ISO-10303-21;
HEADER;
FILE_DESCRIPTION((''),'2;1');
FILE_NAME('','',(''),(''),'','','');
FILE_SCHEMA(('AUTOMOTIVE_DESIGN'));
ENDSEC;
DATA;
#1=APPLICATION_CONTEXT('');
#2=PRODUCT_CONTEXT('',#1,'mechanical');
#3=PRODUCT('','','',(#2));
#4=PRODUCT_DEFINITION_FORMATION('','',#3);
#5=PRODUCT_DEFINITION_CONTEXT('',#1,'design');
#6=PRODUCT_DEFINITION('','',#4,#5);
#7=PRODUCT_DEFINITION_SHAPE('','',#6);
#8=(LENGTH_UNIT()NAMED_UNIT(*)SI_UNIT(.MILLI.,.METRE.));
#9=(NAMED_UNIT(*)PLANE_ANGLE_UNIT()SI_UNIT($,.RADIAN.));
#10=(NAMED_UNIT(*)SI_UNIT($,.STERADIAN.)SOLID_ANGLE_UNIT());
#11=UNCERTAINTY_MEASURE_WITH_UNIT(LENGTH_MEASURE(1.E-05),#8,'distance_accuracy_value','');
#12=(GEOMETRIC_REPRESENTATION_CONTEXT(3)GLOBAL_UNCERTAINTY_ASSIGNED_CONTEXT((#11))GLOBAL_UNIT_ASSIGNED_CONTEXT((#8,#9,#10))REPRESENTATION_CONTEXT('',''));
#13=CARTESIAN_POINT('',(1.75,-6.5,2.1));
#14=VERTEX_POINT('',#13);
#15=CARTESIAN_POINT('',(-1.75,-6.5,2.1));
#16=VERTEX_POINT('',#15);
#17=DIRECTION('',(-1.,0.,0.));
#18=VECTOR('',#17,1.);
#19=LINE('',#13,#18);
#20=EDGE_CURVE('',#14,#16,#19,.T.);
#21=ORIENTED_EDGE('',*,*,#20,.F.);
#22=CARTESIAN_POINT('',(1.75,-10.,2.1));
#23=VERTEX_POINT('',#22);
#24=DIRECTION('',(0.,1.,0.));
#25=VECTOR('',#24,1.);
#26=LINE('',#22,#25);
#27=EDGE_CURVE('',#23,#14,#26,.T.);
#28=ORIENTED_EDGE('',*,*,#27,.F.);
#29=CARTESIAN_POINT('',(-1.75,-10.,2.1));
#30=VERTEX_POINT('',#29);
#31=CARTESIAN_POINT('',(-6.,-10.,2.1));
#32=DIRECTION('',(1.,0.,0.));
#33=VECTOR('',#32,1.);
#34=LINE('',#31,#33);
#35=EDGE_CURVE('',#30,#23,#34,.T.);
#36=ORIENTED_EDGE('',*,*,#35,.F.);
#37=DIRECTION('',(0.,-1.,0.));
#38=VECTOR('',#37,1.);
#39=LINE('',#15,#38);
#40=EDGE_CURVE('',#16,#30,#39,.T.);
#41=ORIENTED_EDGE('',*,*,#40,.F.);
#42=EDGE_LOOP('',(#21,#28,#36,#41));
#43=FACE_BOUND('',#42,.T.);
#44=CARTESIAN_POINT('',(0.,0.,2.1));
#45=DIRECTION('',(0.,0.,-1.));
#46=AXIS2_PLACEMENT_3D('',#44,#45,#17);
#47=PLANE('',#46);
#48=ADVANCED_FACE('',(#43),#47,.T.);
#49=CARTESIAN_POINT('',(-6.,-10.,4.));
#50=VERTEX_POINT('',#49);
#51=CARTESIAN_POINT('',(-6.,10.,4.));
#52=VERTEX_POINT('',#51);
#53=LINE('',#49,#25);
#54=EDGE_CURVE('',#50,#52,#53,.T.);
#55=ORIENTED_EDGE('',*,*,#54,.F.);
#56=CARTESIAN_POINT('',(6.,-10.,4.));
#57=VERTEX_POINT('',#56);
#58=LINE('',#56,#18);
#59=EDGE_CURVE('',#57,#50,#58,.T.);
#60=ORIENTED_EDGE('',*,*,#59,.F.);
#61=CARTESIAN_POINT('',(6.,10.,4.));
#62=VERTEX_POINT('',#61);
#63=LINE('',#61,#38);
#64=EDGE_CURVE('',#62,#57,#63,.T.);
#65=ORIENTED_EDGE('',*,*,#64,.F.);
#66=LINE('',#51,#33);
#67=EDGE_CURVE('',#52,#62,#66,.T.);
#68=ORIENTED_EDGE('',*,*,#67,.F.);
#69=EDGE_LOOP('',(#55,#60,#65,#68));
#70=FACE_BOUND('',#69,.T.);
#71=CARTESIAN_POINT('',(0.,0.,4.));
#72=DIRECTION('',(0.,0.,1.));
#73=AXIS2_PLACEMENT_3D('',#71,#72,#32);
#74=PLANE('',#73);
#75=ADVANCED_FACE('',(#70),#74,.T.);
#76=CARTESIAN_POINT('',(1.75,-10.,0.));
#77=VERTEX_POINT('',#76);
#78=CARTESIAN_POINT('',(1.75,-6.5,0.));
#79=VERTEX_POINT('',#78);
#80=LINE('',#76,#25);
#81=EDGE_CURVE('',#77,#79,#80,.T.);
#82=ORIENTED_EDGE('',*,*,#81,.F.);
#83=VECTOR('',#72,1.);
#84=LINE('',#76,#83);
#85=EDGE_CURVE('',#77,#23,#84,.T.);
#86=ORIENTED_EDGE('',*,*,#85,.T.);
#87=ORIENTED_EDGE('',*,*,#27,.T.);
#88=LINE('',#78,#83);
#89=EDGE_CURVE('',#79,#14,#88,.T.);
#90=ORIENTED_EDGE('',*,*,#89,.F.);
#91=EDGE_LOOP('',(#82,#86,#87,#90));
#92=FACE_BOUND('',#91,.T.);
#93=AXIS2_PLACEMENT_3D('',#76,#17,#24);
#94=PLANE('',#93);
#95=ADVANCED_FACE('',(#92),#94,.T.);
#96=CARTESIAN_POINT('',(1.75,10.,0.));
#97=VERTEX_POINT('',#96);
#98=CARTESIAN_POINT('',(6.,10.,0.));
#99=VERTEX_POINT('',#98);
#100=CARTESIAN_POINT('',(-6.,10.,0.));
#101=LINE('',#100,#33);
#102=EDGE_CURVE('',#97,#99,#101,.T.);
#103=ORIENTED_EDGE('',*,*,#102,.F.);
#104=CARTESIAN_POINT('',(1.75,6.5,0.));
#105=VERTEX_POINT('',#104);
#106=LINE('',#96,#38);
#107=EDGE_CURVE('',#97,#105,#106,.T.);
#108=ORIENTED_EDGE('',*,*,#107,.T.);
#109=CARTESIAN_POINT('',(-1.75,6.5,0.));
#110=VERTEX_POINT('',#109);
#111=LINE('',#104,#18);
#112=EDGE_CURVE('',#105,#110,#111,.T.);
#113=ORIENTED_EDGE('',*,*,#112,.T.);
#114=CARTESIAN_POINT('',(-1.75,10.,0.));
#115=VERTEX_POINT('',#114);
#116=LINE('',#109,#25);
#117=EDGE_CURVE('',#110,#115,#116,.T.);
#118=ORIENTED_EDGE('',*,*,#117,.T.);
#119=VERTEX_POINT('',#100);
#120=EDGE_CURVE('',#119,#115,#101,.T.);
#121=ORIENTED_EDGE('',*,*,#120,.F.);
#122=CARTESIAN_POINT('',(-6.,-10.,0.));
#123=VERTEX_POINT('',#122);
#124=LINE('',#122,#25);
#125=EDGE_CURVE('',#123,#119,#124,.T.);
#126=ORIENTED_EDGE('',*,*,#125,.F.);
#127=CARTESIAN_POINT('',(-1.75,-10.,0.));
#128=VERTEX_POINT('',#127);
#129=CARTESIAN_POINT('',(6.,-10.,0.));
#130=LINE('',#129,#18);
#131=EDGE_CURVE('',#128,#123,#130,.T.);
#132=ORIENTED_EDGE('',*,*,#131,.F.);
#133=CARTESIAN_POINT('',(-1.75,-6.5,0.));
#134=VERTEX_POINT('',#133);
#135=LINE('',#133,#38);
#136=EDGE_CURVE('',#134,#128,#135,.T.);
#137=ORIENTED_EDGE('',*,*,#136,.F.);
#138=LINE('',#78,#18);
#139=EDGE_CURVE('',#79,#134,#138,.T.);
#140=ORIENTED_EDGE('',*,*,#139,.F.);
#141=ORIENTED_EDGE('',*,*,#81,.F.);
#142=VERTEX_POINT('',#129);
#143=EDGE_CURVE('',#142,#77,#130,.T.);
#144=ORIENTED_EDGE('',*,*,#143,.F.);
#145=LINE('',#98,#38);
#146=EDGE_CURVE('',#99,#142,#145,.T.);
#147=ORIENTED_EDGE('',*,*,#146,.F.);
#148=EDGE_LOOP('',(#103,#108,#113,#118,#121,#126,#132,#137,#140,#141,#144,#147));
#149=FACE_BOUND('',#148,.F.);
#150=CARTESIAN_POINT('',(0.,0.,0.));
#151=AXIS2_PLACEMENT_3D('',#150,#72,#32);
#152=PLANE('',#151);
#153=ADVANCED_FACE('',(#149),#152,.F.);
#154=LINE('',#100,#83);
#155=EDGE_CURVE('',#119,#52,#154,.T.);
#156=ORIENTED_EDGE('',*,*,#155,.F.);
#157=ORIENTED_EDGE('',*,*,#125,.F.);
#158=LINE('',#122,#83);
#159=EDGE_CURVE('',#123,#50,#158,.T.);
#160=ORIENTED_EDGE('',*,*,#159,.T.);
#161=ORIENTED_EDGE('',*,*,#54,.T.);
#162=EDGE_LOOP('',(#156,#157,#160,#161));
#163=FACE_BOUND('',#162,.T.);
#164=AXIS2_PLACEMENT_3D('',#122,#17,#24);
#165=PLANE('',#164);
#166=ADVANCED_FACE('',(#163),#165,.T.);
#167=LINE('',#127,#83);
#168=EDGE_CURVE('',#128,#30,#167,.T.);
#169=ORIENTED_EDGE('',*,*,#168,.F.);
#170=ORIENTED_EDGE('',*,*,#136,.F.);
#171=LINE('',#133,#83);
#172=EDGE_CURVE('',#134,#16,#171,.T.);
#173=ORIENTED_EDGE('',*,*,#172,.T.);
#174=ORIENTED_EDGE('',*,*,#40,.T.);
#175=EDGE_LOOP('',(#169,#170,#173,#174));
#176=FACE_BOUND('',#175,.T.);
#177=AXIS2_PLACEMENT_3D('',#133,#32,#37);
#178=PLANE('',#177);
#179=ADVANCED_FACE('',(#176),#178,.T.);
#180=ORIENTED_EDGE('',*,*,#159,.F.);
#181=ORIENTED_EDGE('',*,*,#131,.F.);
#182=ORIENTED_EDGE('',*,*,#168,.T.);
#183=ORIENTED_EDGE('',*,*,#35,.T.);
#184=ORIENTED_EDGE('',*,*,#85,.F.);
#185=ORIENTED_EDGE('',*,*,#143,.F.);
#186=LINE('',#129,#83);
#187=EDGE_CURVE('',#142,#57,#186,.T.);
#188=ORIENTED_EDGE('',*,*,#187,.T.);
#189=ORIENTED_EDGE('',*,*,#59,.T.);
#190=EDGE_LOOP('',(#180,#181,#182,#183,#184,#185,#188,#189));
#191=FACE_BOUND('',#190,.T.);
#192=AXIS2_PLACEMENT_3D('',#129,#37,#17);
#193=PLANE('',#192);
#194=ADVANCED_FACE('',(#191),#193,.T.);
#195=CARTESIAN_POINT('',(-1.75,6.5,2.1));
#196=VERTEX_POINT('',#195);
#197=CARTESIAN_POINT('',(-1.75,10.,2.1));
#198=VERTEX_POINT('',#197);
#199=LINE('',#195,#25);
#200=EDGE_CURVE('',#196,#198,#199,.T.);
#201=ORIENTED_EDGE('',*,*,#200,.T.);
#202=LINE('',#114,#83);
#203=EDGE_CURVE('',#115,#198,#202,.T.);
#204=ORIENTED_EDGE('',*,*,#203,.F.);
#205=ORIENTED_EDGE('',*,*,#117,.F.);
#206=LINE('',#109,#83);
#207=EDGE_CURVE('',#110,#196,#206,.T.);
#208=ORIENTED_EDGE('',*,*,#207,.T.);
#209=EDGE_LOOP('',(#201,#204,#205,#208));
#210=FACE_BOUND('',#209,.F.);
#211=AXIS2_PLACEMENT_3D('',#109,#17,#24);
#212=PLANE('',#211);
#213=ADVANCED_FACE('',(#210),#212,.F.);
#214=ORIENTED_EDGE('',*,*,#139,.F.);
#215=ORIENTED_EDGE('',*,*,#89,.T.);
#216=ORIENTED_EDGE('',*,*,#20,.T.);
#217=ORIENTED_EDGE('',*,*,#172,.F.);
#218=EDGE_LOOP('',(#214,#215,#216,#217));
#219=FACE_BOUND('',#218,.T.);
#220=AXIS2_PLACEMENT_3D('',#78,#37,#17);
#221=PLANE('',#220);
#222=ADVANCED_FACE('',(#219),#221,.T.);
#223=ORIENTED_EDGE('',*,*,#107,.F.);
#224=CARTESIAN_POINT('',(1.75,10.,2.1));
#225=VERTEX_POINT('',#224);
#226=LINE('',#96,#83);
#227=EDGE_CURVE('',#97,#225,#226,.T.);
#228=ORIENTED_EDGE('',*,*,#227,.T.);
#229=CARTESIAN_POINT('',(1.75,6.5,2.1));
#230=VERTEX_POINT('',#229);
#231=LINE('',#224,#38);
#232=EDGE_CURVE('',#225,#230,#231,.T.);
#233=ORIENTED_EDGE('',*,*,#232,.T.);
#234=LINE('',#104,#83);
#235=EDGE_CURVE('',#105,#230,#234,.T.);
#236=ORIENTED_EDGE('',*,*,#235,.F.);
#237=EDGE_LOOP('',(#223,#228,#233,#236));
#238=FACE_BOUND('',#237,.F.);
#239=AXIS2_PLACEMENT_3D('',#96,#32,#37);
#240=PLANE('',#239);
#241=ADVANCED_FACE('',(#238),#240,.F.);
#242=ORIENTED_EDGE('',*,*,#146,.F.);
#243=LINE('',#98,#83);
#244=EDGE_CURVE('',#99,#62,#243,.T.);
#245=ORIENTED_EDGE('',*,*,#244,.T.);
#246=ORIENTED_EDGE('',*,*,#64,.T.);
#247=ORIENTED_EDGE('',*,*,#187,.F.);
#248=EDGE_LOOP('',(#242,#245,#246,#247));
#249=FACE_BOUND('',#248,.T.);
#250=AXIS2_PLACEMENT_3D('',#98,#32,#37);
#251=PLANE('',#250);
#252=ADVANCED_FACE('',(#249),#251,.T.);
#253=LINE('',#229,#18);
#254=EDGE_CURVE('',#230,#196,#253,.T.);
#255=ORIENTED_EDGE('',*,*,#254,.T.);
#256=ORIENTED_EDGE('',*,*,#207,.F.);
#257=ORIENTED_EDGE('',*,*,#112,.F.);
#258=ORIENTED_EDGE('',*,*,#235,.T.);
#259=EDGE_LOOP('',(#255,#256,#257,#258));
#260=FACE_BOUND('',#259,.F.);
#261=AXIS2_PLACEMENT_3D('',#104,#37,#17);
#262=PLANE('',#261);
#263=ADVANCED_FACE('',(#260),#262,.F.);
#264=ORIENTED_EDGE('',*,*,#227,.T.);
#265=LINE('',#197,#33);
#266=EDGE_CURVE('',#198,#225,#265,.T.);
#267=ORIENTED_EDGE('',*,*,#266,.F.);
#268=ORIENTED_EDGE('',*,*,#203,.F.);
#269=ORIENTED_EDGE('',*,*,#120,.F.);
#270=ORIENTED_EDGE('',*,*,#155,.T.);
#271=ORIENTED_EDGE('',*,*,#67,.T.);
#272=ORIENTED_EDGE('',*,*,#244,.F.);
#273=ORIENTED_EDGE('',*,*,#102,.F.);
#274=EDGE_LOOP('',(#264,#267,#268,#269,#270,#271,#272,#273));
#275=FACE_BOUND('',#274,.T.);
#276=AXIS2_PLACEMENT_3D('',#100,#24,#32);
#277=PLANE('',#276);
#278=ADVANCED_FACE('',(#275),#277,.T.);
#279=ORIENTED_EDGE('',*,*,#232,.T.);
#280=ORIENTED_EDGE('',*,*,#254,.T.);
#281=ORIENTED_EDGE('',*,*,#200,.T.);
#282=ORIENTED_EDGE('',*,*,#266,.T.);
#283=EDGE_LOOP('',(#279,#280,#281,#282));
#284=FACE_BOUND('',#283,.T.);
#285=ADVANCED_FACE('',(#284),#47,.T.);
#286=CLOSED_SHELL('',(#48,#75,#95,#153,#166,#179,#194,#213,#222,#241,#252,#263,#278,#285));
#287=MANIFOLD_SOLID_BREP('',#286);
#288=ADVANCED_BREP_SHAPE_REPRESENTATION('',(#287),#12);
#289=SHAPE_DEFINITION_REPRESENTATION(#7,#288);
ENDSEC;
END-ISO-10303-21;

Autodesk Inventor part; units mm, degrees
ref_plane "YZ Plane" through (0, 0, 0) normal (1, 0, 0) x (0, 1, 0)
ref_plane "XZ Plane" through (0, 0, 0) normal (0, 1, 0) x (-1, 0, 0)
ref_plane "XY Plane" through (0, 0, 0) normal (0, 0, 1) x (1, 0, 0)
sketch "Sketch1" plane through (0, 0, 0) normal (0, 0, 1) x (1, 0, 0)
  line L0 (-6, 10) -> (6, 10)
  line L1 (6, 10) -> (6, -10)
  line L2 (6, -10) -> (-6, -10)
  line L3 (-6, -10) -> (-6, 10)
  line L4 (-6, 10) -> (6, -10) construction
  line L5 (6, 10) -> (-6, -10) construction
  line L6 (0, 10) -> (0, -10) construction
  point P0 (0, 0)
  dimension "d0" = 12
  dimension "d1" = 20
extrude "Extrusion1" add sketch "Sketch1" along normal blind 4
sketch "Sketch2" plane through (0, 0, 0) normal (0, 0, -1) x (-1, 0, 0)
  line L0 (-6, 10) -> (6, 10) projected
  line L1 (0, 10) -> (-1.75, 10)
  line L2 (-1.75, 10) -> (-1.75, 6.5)
  line L3 (-1.75, 6.5) -> (1.75, 6.5)
  line L4 (1.75, 6.5) -> (1.75, 10)
  line L5 (0, 10) -> (1.75, 10)
  line L6 (6, -10) -> (-6, -10) projected
  line L7 (-1.75, -10) -> (-1.75, -6.5)
  line L8 (-1.75, -6.5) -> (1.75, -6.5)
  line L9 (1.75, -6.5) -> (1.75, -10)
  line L10 (-1.75, -10) -> (1.75, -10)
  point P0 (0, 0)
  dimension "d5" = 1.75
  dimension "d6" = 1.75
  dimension "d7" = 3.5
  dimension "d8" = 3.5
extrude "Extrusion2" cut sketch "Sketch2" against normal blind 2.1
equation "\"d6\" = d5"
equation "\"d7\" = 2 * d5"
equation "\"d8\" = d7"
properties part number "commutator_attachement_front_plate"
